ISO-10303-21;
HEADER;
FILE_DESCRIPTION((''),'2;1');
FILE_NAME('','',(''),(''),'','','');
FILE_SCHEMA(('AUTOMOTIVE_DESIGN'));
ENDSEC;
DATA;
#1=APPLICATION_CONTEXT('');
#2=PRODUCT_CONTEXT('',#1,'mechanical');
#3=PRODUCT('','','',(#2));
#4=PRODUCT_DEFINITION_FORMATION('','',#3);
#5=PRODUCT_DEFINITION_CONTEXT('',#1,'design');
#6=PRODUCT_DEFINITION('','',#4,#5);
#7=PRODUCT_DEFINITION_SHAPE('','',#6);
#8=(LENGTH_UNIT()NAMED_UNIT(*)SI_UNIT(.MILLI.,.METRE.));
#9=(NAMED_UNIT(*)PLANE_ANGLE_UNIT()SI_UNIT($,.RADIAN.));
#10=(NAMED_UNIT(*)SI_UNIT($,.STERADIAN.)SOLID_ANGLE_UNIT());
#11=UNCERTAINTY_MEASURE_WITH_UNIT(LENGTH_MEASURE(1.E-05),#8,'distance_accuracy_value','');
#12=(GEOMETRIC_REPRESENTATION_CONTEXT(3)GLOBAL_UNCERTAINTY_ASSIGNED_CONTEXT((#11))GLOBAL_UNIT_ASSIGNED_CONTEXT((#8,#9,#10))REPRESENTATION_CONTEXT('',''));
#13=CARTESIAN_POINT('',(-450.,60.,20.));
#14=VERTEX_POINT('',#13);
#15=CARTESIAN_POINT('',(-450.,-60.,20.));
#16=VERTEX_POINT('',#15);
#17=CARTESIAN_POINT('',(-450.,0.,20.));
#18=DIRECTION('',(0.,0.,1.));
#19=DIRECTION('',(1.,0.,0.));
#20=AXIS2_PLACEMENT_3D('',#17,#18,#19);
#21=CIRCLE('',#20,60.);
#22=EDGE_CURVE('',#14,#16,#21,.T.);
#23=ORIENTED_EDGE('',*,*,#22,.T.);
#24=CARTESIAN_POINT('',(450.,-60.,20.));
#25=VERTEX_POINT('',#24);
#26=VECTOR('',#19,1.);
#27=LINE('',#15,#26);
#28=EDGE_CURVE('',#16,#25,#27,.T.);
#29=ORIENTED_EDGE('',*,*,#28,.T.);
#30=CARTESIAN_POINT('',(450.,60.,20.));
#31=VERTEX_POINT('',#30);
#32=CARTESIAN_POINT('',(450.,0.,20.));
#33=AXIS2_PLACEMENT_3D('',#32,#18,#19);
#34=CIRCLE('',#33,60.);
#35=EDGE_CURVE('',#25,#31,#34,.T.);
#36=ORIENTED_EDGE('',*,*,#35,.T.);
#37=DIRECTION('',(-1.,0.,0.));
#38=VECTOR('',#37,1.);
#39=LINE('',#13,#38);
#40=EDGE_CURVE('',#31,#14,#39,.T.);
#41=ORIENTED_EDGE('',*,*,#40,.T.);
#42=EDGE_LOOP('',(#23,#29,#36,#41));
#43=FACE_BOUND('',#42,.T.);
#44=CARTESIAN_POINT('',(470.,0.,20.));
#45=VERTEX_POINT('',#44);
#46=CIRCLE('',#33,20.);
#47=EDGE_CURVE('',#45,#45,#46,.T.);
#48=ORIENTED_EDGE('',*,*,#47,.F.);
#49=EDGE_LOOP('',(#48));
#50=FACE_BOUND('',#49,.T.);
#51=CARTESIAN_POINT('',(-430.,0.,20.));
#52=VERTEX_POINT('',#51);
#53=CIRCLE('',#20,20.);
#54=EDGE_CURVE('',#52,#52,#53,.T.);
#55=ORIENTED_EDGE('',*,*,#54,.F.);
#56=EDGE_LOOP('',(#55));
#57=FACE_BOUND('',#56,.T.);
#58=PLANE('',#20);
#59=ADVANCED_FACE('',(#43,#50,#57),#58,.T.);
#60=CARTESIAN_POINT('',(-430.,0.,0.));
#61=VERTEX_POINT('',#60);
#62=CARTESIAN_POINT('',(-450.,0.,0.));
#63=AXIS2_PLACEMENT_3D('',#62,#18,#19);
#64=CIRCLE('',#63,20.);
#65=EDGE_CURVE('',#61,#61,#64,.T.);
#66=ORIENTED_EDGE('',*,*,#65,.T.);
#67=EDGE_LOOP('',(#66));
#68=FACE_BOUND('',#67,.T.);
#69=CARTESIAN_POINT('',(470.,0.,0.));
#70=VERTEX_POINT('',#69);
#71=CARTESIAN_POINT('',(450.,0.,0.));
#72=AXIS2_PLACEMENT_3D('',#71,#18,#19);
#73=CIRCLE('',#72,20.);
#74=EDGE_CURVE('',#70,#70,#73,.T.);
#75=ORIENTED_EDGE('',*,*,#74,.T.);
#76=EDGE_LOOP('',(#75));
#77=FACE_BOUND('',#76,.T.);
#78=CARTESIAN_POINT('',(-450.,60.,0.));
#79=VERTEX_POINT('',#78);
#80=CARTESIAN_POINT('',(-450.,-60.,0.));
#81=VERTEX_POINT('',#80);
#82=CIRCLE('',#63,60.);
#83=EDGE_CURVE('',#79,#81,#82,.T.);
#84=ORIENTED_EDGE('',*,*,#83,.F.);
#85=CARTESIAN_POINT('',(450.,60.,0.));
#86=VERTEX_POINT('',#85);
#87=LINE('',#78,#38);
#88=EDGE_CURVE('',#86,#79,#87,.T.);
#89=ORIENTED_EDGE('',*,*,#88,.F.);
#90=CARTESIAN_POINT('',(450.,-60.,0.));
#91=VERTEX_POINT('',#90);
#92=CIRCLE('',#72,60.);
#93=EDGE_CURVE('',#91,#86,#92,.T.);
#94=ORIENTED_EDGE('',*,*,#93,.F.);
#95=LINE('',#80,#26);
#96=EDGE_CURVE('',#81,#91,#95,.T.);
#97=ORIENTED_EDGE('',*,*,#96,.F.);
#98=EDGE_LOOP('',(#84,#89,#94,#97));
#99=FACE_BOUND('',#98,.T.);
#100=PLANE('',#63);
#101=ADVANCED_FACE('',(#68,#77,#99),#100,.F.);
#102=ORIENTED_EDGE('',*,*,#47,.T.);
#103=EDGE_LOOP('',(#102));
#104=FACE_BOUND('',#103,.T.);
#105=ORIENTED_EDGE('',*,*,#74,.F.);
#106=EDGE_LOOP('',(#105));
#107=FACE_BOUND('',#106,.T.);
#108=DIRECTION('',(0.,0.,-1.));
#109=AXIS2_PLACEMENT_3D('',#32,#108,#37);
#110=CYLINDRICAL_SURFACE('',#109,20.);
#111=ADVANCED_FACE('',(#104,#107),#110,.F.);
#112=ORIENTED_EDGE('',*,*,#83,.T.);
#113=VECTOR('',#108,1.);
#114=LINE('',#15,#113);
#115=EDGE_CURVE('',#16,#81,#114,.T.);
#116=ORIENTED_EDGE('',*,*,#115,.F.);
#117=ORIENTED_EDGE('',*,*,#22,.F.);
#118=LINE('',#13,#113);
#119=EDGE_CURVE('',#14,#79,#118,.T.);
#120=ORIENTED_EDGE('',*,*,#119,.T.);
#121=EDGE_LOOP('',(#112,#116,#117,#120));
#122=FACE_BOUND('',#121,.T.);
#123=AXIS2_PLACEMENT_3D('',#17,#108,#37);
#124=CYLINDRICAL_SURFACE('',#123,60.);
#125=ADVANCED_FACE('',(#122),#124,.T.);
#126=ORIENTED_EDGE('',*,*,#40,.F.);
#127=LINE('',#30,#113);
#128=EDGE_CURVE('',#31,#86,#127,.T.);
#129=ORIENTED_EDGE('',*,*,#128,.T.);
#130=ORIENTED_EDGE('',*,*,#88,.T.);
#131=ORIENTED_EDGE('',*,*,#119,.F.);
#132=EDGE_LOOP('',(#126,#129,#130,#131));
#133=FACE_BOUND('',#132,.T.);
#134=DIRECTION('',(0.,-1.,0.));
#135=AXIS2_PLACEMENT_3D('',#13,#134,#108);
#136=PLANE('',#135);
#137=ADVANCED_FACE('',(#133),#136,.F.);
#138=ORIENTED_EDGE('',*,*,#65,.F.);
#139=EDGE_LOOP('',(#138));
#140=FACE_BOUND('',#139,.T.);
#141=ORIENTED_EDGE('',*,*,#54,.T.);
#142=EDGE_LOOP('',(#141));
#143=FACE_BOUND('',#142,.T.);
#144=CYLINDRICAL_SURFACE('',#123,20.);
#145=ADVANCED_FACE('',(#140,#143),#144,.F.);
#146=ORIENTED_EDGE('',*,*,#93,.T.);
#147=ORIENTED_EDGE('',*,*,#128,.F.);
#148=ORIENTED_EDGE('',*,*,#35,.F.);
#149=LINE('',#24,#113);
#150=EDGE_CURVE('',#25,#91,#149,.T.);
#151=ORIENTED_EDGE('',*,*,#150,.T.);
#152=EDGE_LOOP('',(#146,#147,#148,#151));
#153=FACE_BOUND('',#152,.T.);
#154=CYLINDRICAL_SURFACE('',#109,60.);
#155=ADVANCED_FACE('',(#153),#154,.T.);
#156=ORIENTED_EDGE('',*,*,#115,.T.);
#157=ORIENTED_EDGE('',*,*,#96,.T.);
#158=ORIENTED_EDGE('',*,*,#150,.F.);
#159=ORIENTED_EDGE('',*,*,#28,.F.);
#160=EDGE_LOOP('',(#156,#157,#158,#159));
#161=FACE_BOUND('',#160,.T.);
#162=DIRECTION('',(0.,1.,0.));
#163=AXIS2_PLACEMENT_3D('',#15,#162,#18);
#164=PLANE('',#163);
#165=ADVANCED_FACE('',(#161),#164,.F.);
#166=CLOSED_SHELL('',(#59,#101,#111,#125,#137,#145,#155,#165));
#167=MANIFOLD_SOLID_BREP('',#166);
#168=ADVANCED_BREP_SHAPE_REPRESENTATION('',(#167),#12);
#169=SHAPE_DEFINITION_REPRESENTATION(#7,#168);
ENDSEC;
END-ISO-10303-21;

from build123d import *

# Parameters (mm, degrees)
SKETCH1_R           = 20
BOSS_EXTRUDE1_DEPTH = 20


with BuildPart() as part:
    # Sketch1 → Boss-Extrude1 (new body)
    with BuildSketch(Plane.XY):
        with BuildLine():
            Line((-450, 60), (450, 60))
            ThreePointArc((450, 60), (510, 0), (450, -60))
            Line((450, -60), (-450, -60))
            ThreePointArc((-450, -60), (-510, 0), (-450, 60))
        make_face()
        with Locations((450, 0)):
            Circle(SKETCH1_R, mode=Mode.SUBTRACT)
        with Locations((-450, 0)):
            Circle(SKETCH1_R, mode=Mode.SUBTRACT)
    extrude(amount=BOSS_EXTRUDE1_DEPTH)


solid = part.part
